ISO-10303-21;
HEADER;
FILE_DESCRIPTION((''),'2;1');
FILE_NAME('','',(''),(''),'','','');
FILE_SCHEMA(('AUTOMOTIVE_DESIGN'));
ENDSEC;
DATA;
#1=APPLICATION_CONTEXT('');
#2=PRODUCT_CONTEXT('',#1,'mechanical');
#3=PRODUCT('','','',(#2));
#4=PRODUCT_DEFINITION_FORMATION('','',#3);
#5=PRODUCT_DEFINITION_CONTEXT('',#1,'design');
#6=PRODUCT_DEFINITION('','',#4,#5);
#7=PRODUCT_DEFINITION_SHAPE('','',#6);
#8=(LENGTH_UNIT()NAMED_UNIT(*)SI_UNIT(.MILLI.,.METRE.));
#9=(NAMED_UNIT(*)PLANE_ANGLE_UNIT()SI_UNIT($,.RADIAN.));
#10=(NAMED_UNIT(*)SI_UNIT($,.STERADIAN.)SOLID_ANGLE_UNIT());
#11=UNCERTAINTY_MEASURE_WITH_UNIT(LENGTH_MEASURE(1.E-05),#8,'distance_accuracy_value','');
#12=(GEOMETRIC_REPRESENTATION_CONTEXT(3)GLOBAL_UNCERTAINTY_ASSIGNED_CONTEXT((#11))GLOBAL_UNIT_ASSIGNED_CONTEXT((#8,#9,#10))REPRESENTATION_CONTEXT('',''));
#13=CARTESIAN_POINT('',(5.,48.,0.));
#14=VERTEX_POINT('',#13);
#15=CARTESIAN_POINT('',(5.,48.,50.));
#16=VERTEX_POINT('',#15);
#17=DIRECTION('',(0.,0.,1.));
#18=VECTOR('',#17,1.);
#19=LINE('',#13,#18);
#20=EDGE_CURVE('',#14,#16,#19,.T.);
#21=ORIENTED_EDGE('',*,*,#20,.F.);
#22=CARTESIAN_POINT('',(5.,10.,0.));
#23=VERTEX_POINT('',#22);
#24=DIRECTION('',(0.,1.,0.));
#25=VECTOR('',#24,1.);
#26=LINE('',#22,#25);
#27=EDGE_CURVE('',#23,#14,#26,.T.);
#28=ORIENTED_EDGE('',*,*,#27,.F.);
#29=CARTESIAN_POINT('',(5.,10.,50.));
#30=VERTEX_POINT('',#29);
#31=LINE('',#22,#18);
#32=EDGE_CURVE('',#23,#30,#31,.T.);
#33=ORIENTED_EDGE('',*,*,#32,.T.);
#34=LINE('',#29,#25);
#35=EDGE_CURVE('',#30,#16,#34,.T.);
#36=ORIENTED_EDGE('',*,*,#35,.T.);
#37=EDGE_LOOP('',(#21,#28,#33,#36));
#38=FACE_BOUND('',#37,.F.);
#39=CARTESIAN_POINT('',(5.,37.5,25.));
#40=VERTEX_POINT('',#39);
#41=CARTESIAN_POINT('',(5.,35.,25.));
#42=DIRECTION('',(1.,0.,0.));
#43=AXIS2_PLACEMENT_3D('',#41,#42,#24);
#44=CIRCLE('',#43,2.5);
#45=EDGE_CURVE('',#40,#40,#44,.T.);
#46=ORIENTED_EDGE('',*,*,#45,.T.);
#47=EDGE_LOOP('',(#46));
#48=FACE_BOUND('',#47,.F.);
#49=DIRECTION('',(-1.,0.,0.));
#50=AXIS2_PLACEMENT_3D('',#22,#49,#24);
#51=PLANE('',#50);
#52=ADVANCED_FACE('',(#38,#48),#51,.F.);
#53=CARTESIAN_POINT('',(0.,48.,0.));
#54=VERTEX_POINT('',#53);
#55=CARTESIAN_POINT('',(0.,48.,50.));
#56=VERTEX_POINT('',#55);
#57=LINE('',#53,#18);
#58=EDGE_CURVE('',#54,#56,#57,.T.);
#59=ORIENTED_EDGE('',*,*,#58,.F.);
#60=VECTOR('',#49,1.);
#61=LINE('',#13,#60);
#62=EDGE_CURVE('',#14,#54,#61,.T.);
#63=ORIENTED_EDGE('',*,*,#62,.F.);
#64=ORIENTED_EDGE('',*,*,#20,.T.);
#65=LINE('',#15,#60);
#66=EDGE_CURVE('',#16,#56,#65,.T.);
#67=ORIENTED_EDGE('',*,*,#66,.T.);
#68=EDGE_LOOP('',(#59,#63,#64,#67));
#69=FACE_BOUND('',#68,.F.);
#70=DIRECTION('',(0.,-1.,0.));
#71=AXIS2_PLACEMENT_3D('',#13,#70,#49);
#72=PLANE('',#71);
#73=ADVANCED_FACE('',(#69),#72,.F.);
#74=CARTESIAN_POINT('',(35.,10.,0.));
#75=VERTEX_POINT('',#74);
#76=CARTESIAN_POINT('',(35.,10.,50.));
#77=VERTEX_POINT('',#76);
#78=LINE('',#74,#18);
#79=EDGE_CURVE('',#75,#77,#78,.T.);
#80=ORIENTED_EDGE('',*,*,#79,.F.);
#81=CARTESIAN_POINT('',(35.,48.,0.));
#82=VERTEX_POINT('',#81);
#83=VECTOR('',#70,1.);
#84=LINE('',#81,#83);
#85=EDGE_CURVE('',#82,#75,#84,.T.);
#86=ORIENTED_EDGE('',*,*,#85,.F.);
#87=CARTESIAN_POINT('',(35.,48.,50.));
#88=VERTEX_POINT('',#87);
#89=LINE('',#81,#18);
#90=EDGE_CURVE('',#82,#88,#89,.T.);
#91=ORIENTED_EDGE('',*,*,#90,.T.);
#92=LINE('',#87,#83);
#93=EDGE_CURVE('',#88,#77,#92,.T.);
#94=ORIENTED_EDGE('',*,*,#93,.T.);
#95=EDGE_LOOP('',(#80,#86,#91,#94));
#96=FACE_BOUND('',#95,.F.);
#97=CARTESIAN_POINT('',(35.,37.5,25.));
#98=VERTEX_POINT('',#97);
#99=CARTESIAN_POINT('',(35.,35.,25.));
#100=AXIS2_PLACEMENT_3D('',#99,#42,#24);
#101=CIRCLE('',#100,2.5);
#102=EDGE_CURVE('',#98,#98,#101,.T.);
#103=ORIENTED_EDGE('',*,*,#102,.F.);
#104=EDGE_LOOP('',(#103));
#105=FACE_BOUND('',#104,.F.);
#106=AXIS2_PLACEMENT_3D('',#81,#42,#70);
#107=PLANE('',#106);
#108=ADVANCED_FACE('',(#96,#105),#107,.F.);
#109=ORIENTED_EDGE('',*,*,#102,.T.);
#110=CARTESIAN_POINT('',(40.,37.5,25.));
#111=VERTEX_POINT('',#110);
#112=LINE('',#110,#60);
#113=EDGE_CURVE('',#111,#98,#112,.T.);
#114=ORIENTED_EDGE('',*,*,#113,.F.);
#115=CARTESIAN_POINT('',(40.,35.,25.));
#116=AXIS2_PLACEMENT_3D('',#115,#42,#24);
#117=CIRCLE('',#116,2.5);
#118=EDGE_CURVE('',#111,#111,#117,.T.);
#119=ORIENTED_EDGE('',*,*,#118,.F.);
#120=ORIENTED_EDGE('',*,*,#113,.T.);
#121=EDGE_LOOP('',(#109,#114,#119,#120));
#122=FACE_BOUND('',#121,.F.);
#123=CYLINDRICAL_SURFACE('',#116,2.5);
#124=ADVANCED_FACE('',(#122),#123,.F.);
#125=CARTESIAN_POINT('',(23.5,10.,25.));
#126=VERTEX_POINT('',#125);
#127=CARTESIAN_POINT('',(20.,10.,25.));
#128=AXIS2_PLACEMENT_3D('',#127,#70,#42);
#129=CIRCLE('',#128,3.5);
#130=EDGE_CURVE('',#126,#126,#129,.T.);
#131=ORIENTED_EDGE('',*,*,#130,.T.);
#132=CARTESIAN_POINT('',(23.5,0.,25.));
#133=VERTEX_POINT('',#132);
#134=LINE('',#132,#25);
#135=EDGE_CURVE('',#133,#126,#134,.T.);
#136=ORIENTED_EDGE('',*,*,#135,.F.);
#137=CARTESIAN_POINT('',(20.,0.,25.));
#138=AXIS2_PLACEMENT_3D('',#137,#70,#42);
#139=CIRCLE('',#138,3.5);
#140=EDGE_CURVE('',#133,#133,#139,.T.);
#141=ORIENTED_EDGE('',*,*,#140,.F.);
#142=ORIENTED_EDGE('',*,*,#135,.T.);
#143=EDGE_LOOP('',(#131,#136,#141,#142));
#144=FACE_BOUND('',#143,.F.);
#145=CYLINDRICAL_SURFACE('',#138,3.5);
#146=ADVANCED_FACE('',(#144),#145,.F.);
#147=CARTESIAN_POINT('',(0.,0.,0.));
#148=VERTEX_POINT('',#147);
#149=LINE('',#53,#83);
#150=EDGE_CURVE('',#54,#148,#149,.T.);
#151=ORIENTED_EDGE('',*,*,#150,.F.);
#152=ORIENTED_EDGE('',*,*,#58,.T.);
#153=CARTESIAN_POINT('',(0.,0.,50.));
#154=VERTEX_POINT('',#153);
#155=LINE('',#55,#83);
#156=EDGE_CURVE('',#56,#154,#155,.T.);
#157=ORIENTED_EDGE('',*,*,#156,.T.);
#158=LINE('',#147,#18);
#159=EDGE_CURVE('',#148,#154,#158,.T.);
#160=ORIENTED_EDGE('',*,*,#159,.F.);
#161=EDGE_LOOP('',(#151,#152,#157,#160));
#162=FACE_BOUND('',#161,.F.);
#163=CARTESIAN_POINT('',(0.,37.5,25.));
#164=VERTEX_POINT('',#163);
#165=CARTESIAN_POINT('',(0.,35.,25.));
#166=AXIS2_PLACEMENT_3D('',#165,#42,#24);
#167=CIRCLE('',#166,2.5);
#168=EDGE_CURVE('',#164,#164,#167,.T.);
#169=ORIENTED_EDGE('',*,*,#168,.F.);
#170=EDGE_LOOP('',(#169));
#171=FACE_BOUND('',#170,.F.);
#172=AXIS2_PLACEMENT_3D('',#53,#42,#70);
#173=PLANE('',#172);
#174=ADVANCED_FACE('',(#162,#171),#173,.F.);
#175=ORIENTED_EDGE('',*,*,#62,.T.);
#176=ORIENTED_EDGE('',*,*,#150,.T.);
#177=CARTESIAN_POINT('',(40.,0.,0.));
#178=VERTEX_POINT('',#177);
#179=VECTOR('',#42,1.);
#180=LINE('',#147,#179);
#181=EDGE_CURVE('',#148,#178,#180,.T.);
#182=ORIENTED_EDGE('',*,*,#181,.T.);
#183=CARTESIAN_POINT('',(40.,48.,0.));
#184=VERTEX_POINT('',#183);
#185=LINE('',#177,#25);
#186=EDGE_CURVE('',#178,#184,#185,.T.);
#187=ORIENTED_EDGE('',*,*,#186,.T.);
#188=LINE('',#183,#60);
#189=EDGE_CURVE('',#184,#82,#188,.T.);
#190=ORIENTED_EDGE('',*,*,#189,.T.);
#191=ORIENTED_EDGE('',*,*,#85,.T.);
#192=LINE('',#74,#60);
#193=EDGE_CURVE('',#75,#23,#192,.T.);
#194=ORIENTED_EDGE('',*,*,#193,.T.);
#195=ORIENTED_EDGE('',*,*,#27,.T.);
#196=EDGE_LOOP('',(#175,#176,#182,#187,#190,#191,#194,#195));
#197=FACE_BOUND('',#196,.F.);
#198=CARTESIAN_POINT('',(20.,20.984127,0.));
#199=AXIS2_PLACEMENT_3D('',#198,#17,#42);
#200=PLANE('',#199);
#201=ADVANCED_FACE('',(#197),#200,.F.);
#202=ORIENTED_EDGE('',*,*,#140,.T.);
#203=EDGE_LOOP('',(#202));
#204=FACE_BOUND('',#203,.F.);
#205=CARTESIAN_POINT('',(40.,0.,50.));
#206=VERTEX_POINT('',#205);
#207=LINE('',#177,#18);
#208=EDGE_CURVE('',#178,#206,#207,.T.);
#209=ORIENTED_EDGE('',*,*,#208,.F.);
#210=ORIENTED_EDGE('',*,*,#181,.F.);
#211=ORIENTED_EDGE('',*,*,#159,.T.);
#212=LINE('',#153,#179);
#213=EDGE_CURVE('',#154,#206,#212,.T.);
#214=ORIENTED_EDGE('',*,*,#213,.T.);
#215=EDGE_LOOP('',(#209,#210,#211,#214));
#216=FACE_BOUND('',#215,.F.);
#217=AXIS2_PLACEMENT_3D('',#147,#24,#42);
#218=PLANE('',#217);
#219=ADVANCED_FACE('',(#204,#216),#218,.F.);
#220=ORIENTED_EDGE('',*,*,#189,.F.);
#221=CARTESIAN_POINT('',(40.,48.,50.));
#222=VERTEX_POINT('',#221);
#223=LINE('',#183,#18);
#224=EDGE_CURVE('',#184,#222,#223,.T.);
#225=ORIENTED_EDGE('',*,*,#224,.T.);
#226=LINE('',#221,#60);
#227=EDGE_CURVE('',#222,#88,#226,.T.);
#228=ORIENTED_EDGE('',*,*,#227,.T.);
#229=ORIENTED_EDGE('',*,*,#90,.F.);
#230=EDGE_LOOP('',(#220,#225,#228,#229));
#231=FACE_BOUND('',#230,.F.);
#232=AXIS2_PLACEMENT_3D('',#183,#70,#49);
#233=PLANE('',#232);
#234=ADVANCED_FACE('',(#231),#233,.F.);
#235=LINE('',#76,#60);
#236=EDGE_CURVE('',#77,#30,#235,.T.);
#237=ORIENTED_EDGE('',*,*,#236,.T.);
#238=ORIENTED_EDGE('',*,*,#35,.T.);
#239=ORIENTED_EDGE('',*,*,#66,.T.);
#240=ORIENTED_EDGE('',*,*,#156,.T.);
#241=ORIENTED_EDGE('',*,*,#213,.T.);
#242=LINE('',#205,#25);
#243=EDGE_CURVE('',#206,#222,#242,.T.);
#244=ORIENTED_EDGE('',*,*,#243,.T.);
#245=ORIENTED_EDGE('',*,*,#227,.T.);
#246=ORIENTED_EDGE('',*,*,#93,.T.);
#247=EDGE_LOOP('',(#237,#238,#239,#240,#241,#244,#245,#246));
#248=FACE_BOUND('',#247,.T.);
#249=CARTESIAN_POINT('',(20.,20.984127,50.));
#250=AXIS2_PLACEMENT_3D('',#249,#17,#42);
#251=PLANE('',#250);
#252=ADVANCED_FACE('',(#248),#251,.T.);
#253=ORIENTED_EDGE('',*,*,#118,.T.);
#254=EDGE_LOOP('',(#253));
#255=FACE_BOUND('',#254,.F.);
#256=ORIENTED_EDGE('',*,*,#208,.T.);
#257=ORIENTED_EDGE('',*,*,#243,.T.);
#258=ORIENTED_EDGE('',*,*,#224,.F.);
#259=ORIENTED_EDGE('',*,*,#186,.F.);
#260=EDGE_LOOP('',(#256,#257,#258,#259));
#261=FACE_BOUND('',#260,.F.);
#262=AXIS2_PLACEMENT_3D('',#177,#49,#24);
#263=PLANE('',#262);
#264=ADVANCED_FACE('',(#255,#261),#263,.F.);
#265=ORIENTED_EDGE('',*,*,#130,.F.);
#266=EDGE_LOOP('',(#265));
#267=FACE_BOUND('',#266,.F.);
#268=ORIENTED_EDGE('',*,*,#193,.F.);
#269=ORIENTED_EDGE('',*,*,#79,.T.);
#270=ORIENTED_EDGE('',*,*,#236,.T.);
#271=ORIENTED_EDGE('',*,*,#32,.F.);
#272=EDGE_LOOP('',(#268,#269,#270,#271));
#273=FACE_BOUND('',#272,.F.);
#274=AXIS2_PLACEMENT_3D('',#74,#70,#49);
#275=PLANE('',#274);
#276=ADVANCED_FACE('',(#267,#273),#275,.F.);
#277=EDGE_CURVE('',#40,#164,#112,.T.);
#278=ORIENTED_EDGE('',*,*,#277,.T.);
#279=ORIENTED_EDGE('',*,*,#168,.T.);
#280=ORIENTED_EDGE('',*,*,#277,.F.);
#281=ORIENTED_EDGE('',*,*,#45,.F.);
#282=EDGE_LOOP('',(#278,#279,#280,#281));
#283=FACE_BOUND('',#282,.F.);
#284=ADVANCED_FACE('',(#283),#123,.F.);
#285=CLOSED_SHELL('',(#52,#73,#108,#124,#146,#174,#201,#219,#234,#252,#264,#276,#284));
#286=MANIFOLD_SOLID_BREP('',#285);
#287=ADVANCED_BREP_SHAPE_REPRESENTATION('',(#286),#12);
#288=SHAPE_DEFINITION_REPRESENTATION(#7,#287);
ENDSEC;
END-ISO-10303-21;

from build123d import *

# Parameters (mm, degrees)
F1_DEPTH = 50
F2_R     = 3.5
F3_DEPTH = 25
F4_R     = 2.5
F5_DEPTH = 40.001


with BuildPart() as f1:
    # F0 (on Top) → F1 (new body)
    with BuildSketch(Plane.XY):
        Polygon((0, 48), (0, 0), (40, 0), (40, 48), (35, 48), (35, 10), (5, 10), (5, 48), align=None)
    extrude(amount=F1_DEPTH)

    # F2 (on face) → F3 (cut)
    with BuildSketch(Plane.XZ):
        with Locations((20, 25)):
            Circle(F2_R)
    extrude(amount=-F3_DEPTH, mode=Mode.SUBTRACT)

    # F4 (on face) → F5 (cut, through all)
    with BuildSketch(Plane.YZ.offset(40)):
        with Locations((35, 25)):
            Circle(F4_R)
    extrude(amount=-F5_DEPTH, mode=Mode.SUBTRACT)


solid = f1.part
